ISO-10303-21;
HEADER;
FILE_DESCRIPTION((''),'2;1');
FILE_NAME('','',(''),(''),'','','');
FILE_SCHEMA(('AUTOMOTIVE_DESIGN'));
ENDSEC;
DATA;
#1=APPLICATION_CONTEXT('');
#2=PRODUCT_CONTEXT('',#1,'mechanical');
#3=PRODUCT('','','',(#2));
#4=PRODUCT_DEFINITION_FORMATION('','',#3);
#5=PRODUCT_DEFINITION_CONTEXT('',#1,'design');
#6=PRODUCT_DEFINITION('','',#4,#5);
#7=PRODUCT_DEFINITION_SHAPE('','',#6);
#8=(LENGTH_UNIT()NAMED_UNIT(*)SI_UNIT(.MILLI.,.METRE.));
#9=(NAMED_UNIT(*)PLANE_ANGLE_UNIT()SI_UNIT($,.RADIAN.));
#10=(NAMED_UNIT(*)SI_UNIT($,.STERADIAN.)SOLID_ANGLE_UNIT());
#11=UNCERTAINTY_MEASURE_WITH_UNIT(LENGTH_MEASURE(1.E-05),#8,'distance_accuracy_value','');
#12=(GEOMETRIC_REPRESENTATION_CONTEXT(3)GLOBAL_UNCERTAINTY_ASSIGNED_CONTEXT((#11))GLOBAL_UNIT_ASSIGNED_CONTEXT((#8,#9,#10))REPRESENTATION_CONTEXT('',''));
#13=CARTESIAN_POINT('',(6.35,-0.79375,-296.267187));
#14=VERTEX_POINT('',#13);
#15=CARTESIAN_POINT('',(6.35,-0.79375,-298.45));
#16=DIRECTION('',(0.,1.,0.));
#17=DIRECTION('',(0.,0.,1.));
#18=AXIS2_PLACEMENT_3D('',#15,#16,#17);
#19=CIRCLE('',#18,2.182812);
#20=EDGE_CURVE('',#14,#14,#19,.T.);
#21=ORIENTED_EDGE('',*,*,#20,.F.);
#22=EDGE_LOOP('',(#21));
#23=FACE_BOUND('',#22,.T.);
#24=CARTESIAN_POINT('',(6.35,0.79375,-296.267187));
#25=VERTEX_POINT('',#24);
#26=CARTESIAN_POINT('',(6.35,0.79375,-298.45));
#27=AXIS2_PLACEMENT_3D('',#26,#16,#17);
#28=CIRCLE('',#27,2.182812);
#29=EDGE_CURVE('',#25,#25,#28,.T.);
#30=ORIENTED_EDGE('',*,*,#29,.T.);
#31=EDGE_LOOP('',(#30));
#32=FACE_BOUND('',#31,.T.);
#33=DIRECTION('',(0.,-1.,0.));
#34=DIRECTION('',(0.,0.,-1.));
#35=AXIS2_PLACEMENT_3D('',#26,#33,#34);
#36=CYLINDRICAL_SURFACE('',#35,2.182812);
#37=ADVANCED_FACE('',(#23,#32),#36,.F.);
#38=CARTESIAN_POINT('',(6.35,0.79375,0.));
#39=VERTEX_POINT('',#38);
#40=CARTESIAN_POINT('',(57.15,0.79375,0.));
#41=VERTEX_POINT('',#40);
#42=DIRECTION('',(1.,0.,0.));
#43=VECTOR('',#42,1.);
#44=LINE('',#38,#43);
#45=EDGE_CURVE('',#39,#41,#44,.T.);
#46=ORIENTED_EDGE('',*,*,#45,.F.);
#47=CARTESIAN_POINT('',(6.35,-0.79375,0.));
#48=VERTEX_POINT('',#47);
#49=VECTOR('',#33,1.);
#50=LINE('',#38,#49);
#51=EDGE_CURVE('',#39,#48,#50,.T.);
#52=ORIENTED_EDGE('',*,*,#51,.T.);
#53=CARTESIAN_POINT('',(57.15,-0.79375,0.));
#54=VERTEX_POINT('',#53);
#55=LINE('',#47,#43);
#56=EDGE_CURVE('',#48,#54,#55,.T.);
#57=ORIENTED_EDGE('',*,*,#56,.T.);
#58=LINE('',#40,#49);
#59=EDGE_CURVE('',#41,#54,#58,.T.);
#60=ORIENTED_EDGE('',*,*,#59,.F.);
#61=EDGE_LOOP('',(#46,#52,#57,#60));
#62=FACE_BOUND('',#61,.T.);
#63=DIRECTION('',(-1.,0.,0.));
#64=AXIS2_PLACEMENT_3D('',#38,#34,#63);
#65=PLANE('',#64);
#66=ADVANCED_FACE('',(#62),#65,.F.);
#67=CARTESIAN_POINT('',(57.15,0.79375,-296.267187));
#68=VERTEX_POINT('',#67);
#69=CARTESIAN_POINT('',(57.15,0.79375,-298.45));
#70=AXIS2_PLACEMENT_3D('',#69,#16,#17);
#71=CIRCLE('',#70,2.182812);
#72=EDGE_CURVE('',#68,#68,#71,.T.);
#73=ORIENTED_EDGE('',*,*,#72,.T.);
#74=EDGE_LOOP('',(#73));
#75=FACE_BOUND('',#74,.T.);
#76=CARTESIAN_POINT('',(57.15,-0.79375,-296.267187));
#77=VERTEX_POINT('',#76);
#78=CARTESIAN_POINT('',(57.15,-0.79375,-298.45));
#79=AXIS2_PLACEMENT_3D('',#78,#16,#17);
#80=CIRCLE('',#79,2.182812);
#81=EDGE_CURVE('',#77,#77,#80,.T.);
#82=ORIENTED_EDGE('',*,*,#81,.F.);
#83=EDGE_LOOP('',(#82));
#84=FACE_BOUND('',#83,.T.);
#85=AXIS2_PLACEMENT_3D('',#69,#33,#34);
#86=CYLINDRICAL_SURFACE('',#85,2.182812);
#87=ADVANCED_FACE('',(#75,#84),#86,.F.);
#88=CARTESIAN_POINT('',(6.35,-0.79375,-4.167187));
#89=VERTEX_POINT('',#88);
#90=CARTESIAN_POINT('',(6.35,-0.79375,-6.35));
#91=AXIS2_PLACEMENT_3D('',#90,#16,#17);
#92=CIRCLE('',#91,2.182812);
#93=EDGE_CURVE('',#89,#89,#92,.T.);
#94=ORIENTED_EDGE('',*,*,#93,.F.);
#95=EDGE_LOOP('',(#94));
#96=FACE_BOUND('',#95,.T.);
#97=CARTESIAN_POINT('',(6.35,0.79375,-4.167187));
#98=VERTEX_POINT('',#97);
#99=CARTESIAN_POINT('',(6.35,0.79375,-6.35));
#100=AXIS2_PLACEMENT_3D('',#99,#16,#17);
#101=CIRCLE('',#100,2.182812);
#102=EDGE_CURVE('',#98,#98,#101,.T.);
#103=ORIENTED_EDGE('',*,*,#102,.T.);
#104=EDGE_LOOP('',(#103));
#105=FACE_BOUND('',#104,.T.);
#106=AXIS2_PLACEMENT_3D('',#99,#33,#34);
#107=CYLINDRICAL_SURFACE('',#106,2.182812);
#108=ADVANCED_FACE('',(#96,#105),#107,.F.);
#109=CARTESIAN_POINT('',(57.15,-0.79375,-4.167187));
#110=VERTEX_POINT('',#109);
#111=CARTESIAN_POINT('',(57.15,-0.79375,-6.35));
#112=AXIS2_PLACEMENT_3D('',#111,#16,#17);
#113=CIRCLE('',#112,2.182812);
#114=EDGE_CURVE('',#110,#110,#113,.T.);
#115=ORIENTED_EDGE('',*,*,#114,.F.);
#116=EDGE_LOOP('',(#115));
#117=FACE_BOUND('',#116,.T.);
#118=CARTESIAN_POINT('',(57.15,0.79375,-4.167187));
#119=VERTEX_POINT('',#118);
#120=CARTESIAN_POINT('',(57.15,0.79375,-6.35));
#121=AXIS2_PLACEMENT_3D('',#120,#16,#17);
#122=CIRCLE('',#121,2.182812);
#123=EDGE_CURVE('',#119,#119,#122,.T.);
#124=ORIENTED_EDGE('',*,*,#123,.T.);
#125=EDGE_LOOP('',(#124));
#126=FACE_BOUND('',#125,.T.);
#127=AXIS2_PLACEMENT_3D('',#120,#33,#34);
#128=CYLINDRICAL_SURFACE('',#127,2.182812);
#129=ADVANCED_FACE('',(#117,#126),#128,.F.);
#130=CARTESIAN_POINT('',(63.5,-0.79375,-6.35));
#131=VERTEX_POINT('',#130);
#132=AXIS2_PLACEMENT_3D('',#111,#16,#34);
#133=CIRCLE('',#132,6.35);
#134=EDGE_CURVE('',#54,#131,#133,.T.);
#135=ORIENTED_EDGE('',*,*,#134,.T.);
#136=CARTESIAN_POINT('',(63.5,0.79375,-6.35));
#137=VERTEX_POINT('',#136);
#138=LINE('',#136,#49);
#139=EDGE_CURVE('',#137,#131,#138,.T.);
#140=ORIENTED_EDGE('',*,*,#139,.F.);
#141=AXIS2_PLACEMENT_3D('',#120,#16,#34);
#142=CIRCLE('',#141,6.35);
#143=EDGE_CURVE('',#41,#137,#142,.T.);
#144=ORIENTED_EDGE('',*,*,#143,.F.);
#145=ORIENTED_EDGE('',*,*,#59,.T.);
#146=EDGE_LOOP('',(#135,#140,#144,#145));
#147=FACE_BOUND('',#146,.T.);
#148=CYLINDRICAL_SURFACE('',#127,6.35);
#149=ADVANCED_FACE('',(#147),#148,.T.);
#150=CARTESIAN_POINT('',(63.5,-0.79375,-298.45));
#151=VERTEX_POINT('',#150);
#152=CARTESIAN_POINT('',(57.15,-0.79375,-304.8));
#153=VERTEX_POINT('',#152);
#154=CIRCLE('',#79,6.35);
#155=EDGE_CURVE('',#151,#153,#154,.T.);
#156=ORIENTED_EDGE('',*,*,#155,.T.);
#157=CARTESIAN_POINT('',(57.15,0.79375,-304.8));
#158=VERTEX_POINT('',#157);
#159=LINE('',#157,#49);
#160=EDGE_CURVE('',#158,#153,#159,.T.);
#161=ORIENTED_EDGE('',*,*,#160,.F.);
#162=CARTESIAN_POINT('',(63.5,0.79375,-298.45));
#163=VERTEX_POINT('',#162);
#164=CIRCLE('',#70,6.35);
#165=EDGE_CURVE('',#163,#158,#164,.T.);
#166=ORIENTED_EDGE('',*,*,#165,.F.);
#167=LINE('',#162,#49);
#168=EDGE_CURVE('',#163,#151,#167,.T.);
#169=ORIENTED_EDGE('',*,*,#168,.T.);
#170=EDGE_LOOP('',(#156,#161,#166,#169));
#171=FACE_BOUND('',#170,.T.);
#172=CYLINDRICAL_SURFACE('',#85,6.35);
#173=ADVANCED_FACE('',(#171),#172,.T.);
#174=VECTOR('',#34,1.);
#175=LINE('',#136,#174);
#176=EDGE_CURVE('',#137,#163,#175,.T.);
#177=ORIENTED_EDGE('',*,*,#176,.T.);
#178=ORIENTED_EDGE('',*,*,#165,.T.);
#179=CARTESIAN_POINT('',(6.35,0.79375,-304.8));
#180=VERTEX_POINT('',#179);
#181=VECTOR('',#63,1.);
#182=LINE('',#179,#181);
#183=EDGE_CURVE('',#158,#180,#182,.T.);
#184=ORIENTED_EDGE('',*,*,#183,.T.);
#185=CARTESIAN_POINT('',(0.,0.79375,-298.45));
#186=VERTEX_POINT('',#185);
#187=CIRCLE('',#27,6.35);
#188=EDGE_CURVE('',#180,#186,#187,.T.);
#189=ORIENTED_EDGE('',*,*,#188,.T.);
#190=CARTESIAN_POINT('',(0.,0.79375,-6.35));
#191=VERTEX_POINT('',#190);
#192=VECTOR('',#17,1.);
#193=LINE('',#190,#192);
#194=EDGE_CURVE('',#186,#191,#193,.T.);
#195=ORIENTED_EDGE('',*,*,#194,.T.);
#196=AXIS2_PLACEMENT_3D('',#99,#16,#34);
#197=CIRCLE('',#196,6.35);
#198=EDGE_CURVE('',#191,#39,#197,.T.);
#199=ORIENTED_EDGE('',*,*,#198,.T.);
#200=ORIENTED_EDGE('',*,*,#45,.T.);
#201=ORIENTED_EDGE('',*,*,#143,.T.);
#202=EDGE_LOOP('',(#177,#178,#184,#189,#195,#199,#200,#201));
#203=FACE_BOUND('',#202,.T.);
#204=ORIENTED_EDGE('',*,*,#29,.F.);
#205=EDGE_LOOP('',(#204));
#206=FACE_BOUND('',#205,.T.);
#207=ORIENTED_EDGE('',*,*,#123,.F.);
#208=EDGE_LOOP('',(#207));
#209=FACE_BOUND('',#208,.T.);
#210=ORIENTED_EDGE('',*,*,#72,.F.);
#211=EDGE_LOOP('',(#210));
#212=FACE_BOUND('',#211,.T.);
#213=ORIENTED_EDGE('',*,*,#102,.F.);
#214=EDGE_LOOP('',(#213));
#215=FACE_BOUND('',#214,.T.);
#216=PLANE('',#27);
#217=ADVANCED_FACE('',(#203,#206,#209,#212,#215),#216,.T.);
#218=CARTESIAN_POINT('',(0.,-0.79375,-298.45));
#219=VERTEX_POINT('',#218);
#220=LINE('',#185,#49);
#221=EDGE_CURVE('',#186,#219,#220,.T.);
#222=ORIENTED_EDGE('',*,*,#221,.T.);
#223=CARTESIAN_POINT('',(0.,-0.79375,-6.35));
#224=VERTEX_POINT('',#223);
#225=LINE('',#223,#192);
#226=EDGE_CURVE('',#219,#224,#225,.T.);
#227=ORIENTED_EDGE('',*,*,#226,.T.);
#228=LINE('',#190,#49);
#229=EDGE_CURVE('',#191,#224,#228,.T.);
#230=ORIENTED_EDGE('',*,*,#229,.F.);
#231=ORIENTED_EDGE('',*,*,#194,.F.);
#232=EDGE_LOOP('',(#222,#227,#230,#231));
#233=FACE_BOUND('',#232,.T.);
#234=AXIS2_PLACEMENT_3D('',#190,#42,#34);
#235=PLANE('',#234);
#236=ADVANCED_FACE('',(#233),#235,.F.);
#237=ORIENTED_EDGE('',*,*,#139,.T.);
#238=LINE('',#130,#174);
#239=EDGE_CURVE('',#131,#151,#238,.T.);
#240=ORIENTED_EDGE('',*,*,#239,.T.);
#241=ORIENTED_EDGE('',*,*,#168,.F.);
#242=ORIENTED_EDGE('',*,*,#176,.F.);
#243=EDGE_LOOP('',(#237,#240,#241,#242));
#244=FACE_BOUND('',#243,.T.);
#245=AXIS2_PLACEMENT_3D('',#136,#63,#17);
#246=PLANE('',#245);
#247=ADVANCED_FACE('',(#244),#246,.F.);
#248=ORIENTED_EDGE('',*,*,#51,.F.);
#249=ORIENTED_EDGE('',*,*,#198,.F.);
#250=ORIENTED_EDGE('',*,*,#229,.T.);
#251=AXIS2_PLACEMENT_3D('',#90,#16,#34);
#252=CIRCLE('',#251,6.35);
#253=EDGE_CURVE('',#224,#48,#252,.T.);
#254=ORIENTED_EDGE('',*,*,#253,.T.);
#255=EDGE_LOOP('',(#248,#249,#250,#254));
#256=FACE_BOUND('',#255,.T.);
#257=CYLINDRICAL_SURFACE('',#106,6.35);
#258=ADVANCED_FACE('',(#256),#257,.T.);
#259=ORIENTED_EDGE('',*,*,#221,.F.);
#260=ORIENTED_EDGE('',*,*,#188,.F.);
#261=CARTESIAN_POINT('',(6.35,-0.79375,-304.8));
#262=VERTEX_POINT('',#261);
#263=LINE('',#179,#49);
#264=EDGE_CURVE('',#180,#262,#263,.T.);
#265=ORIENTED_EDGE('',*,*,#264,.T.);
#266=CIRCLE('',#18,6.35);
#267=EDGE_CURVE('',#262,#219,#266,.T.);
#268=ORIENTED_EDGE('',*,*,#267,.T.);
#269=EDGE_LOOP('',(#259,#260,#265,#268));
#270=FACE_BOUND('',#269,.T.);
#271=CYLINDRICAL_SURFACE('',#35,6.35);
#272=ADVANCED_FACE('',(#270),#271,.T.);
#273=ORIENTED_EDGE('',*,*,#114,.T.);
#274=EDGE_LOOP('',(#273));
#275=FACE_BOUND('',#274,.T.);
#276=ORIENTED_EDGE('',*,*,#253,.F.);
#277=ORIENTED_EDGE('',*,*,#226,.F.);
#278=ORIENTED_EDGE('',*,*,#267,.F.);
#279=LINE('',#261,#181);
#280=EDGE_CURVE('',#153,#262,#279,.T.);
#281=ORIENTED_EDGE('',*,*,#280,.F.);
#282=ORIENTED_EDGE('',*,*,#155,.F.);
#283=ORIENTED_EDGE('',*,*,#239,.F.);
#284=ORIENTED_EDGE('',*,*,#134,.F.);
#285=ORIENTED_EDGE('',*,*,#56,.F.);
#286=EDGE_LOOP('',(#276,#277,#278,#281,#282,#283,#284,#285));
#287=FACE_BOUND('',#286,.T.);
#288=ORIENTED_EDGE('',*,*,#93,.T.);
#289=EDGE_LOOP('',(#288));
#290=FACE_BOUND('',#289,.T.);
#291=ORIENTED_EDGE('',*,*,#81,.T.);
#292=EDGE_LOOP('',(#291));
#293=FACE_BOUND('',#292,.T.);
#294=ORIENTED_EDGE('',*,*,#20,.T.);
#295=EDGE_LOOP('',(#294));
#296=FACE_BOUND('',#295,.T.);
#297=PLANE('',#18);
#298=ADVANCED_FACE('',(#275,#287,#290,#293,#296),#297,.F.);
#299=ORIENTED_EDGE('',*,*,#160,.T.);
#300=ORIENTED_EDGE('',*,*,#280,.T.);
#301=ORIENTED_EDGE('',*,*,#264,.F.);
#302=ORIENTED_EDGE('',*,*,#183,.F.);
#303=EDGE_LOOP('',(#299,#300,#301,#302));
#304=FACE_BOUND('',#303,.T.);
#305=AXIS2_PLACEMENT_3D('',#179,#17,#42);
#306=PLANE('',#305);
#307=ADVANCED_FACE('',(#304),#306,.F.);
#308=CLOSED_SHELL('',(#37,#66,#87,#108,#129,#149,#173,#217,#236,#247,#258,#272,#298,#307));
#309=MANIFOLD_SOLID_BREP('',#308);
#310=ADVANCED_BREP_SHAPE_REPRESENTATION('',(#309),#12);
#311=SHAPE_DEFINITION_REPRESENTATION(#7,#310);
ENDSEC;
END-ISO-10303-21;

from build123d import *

# Parameters (mm, degrees)
SKETCH1_R           = 2.1828125
BOSS_EXTRUDE1_DEPTH = 0.79375


with BuildPart() as part:
    # Sketch1 → Boss-Extrude1 (new body, symmetric)
    with BuildSketch(Plane(origin=(0, 0, 0), x_dir=(1, 0, 0), z_dir=(0, 1, 0))):
        with BuildLine():
            Line((6.35, 0), (57.15, 0))
            ThreePointArc((57.15, 0), (61.640128061, 1.859871939), (63.5, 6.35))
            Line((63.5, 6.35), (63.5, 298.45))
            ThreePointArc((63.5, 298.45), (61.640128061, 302.940128061), (57.15, 304.8))
            Line((57.15, 304.8), (6.35, 304.8))
            ThreePointArc((6.35, 304.8), (1.859871939, 302.940128061), (0, 298.45))
            Line((0, 298.45), (0, 6.35))
            ThreePointArc((0, 6.35), (1.859871939, 1.859871939), (6.35, 0))
        make_face()
        with Locations((57.15, 298.45)):
            Circle(SKETCH1_R, mode=Mode.SUBTRACT)
        with Locations((6.35, 298.45)):
            Circle(SKETCH1_R, mode=Mode.SUBTRACT)
        with Locations((6.35, 6.35)):
            Circle(SKETCH1_R, mode=Mode.SUBTRACT)
        with Locations((57.15, 6.35)):
            Circle(SKETCH1_R, mode=Mode.SUBTRACT)
    extrude(amount=BOSS_EXTRUDE1_DEPTH, both=True)


solid = part.part
